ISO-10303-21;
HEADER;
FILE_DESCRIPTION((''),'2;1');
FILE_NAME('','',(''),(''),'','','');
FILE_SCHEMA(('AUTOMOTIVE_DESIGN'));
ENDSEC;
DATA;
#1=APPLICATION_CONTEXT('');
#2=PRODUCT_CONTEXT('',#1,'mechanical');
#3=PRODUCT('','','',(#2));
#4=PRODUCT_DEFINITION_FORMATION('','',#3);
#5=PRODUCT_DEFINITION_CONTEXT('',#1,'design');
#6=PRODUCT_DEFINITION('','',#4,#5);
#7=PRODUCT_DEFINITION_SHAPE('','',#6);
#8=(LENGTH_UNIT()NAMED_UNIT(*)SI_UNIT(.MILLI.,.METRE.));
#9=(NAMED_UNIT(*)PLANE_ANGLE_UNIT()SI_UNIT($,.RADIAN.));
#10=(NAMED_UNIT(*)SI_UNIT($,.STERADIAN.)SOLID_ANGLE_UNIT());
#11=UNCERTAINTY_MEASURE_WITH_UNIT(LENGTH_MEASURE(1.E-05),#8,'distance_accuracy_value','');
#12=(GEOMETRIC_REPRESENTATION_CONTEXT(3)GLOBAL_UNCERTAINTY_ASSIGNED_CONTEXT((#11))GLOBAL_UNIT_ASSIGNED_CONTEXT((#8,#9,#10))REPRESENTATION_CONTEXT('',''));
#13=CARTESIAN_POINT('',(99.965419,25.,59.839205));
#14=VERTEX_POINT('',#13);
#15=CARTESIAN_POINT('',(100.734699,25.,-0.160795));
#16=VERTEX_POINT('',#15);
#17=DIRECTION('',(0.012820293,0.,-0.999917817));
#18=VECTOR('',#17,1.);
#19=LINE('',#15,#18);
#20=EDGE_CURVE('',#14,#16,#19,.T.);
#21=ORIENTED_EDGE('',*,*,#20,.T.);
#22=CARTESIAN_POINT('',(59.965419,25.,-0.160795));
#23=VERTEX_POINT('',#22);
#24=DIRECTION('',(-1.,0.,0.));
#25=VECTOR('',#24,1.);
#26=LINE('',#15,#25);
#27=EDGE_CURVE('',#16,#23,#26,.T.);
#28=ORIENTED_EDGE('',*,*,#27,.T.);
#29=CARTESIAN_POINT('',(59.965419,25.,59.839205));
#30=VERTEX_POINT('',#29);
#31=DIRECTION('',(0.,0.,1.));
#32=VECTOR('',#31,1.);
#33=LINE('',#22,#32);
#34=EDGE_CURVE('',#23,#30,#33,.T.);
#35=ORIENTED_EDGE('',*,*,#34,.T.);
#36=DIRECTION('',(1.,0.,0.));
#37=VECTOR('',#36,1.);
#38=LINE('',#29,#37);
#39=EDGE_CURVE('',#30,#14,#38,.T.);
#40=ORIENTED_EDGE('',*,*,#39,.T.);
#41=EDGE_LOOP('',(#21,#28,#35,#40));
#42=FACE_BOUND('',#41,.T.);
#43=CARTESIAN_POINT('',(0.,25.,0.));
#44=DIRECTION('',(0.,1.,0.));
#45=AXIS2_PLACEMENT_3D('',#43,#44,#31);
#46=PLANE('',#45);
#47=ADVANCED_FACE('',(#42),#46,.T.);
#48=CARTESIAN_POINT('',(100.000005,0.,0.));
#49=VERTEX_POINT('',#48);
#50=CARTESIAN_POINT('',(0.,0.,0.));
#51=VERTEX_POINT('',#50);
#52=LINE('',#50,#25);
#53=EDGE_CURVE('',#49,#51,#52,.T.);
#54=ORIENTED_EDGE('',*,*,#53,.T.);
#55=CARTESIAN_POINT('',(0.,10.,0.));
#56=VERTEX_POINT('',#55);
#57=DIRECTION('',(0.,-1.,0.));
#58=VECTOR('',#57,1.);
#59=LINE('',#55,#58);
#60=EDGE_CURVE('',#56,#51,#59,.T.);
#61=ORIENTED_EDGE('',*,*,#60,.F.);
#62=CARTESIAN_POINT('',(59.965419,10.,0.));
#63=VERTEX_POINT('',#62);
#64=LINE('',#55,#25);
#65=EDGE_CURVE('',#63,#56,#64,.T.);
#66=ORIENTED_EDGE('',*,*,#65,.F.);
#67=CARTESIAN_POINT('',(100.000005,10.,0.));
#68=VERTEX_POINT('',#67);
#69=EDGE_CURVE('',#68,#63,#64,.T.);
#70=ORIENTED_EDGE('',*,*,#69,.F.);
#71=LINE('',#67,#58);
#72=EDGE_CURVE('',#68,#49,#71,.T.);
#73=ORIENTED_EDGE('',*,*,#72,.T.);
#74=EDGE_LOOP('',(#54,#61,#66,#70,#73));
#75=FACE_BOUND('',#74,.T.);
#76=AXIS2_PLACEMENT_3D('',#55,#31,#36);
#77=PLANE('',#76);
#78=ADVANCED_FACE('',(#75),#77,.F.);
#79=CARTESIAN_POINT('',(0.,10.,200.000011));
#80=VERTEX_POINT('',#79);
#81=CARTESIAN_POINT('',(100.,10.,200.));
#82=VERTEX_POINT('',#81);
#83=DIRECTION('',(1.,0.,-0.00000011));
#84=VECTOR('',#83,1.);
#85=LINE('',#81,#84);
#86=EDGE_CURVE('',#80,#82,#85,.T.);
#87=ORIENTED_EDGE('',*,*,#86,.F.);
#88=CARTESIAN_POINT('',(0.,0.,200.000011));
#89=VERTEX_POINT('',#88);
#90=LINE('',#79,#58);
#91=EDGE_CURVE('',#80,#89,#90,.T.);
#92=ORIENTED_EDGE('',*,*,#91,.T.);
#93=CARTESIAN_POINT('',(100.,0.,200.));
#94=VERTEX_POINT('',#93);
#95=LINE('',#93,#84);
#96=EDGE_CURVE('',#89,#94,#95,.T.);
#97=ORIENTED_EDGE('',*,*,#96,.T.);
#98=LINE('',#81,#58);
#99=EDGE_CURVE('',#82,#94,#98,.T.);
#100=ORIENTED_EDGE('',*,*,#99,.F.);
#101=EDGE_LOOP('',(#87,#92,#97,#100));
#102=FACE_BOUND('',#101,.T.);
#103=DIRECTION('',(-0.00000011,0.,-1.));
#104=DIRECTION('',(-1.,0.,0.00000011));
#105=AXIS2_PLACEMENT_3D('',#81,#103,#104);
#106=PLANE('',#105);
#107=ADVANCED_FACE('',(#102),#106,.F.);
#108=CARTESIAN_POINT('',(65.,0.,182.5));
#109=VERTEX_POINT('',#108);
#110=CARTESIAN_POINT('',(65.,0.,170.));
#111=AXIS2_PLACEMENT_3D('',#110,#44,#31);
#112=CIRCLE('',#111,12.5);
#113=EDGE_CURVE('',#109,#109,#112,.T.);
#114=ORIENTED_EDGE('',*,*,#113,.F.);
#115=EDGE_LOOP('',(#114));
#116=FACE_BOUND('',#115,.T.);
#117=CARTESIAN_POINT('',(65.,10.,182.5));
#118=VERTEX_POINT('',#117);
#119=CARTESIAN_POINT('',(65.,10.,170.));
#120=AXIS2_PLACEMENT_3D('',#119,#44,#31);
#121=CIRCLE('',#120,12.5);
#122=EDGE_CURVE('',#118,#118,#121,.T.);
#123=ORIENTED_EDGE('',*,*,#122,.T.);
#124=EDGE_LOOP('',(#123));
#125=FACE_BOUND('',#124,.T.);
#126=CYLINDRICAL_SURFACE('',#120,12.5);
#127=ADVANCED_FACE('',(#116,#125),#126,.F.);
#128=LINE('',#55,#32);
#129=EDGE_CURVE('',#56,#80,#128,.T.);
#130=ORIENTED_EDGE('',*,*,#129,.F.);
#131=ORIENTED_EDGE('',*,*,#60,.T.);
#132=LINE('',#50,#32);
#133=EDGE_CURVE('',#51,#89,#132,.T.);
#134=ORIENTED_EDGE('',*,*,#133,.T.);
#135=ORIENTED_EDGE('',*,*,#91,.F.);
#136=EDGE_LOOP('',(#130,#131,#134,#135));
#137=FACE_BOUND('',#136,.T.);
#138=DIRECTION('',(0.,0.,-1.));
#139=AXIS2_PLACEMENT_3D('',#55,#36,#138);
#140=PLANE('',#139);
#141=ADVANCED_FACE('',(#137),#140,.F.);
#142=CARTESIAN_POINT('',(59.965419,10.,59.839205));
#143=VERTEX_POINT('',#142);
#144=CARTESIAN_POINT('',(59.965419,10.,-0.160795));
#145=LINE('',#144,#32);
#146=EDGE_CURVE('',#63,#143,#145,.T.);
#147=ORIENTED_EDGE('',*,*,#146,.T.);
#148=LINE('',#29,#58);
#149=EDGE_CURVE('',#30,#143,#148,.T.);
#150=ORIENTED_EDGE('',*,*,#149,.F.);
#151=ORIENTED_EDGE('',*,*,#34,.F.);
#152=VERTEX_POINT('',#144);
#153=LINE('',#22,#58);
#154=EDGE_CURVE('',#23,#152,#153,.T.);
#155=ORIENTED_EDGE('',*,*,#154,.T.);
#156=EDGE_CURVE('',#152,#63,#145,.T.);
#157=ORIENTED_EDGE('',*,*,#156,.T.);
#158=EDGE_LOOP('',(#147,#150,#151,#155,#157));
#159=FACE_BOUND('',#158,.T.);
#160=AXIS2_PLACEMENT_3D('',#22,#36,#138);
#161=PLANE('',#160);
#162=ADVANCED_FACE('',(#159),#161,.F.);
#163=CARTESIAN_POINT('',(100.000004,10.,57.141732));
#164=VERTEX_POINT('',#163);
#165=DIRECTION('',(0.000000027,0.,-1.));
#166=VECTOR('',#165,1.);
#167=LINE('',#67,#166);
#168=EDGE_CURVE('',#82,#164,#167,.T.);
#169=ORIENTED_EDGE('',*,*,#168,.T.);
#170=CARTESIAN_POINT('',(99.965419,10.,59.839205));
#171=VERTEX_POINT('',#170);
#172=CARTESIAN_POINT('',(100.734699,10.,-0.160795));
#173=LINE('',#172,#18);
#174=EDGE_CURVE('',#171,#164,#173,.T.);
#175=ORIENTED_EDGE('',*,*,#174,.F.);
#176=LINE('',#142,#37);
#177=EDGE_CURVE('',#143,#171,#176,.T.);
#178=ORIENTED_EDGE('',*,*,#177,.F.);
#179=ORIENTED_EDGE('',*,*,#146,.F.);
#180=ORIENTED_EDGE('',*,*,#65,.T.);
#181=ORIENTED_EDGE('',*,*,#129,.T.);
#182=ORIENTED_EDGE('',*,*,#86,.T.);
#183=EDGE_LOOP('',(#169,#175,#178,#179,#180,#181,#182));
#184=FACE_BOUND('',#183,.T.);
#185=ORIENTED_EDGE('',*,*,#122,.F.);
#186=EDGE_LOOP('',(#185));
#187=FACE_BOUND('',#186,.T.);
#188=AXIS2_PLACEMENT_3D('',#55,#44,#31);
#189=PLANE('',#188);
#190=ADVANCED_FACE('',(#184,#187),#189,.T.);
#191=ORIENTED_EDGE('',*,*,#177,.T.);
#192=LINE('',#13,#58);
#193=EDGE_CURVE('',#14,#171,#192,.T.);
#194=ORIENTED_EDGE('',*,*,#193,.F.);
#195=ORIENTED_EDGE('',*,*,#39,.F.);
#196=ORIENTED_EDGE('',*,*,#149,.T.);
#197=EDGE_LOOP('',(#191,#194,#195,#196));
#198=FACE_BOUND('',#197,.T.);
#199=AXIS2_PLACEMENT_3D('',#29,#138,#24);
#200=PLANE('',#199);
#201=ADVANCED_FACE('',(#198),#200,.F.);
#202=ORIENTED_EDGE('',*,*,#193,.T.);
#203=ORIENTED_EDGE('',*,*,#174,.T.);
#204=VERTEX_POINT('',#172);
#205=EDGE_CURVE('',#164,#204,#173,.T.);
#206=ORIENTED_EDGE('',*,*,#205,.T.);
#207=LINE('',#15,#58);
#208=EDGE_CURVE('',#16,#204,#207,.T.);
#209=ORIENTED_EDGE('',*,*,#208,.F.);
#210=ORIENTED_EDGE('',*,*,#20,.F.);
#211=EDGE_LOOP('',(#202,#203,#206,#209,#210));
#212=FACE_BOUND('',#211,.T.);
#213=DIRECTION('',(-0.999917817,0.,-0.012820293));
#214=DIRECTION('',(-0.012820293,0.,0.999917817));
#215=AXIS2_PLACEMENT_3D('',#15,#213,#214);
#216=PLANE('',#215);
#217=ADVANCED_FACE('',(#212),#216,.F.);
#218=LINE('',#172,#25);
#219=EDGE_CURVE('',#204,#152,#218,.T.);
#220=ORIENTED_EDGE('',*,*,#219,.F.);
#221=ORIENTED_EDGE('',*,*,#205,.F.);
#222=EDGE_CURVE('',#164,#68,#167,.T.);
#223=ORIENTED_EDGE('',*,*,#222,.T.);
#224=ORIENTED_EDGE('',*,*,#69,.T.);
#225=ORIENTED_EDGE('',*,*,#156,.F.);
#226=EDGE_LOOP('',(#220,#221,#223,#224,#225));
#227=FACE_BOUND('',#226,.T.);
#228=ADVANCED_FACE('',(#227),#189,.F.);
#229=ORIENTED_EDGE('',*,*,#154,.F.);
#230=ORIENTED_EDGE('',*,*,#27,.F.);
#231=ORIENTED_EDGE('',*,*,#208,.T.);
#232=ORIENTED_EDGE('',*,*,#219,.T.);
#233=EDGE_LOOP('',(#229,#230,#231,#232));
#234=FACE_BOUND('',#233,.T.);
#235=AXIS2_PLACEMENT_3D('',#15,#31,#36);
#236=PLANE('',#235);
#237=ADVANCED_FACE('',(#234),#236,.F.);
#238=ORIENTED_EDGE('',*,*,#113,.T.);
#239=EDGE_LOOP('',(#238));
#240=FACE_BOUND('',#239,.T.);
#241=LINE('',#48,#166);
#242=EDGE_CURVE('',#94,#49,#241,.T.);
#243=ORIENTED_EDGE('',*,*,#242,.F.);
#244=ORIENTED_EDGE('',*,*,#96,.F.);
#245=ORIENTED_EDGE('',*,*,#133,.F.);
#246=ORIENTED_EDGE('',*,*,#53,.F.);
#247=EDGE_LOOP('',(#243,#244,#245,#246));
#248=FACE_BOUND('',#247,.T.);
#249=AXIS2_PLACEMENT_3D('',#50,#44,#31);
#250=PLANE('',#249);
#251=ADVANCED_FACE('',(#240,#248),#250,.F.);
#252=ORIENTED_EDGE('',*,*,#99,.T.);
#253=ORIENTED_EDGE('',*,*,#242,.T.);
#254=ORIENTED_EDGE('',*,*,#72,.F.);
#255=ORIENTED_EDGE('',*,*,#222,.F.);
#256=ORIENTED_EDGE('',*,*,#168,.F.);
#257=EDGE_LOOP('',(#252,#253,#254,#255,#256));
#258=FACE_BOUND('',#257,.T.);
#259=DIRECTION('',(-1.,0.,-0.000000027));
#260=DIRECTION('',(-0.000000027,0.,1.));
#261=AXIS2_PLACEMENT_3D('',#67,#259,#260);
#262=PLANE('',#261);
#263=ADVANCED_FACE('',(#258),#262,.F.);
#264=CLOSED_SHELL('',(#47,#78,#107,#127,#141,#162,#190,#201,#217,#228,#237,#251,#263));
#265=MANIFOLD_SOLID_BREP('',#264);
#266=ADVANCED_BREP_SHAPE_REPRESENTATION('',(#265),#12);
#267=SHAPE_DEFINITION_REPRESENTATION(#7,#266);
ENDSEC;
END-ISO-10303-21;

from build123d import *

# Parameters (mm, degrees)
BOSS_EXTRUDE1_DEPTH    = 10
BOSS_EXTRUDE2_DEPTH    = 15
F_25_0MM_DOWEL_HOLE1_D = 25


with BuildPart() as part:
    # Sketch2 → Boss-Extrude1 (new body)
    with BuildSketch(Plane(origin=(0, 0, 0), x_dir=(1, 0, 0), z_dir=(0, 1, 0))):
        Polygon((0, 0), (100.00000548, 0), (100, -200), (0, -200.00001096), align=None)
    extrude(amount=BOSS_EXTRUDE1_DEPTH)

    # Sketch3 → Boss-Extrude2 (add)
    with BuildSketch(Plane(origin=(0.867898509, 10, -1.693868364), x_dir=(1, 0, 0), z_dir=(0, 1, 0))):
        Polygon((59.097520158, -1.533073759), (59.097520158, -61.533073759), (99.097520158, -61.533073759), (99.866800969, -1.533073759), align=None)
    extrude(amount=BOSS_EXTRUDE2_DEPTH)

    # Ø25.0mm Dowel Hole1 (through all)
    with Locations(Plane(origin=(0, 10, 0), x_dir=(1, 0, 0), z_dir=(0, 1, 0))):
        with Locations((65, -170)):
            Hole(F_25_0MM_DOWEL_HOLE1_D / 2)


solid = part.part
